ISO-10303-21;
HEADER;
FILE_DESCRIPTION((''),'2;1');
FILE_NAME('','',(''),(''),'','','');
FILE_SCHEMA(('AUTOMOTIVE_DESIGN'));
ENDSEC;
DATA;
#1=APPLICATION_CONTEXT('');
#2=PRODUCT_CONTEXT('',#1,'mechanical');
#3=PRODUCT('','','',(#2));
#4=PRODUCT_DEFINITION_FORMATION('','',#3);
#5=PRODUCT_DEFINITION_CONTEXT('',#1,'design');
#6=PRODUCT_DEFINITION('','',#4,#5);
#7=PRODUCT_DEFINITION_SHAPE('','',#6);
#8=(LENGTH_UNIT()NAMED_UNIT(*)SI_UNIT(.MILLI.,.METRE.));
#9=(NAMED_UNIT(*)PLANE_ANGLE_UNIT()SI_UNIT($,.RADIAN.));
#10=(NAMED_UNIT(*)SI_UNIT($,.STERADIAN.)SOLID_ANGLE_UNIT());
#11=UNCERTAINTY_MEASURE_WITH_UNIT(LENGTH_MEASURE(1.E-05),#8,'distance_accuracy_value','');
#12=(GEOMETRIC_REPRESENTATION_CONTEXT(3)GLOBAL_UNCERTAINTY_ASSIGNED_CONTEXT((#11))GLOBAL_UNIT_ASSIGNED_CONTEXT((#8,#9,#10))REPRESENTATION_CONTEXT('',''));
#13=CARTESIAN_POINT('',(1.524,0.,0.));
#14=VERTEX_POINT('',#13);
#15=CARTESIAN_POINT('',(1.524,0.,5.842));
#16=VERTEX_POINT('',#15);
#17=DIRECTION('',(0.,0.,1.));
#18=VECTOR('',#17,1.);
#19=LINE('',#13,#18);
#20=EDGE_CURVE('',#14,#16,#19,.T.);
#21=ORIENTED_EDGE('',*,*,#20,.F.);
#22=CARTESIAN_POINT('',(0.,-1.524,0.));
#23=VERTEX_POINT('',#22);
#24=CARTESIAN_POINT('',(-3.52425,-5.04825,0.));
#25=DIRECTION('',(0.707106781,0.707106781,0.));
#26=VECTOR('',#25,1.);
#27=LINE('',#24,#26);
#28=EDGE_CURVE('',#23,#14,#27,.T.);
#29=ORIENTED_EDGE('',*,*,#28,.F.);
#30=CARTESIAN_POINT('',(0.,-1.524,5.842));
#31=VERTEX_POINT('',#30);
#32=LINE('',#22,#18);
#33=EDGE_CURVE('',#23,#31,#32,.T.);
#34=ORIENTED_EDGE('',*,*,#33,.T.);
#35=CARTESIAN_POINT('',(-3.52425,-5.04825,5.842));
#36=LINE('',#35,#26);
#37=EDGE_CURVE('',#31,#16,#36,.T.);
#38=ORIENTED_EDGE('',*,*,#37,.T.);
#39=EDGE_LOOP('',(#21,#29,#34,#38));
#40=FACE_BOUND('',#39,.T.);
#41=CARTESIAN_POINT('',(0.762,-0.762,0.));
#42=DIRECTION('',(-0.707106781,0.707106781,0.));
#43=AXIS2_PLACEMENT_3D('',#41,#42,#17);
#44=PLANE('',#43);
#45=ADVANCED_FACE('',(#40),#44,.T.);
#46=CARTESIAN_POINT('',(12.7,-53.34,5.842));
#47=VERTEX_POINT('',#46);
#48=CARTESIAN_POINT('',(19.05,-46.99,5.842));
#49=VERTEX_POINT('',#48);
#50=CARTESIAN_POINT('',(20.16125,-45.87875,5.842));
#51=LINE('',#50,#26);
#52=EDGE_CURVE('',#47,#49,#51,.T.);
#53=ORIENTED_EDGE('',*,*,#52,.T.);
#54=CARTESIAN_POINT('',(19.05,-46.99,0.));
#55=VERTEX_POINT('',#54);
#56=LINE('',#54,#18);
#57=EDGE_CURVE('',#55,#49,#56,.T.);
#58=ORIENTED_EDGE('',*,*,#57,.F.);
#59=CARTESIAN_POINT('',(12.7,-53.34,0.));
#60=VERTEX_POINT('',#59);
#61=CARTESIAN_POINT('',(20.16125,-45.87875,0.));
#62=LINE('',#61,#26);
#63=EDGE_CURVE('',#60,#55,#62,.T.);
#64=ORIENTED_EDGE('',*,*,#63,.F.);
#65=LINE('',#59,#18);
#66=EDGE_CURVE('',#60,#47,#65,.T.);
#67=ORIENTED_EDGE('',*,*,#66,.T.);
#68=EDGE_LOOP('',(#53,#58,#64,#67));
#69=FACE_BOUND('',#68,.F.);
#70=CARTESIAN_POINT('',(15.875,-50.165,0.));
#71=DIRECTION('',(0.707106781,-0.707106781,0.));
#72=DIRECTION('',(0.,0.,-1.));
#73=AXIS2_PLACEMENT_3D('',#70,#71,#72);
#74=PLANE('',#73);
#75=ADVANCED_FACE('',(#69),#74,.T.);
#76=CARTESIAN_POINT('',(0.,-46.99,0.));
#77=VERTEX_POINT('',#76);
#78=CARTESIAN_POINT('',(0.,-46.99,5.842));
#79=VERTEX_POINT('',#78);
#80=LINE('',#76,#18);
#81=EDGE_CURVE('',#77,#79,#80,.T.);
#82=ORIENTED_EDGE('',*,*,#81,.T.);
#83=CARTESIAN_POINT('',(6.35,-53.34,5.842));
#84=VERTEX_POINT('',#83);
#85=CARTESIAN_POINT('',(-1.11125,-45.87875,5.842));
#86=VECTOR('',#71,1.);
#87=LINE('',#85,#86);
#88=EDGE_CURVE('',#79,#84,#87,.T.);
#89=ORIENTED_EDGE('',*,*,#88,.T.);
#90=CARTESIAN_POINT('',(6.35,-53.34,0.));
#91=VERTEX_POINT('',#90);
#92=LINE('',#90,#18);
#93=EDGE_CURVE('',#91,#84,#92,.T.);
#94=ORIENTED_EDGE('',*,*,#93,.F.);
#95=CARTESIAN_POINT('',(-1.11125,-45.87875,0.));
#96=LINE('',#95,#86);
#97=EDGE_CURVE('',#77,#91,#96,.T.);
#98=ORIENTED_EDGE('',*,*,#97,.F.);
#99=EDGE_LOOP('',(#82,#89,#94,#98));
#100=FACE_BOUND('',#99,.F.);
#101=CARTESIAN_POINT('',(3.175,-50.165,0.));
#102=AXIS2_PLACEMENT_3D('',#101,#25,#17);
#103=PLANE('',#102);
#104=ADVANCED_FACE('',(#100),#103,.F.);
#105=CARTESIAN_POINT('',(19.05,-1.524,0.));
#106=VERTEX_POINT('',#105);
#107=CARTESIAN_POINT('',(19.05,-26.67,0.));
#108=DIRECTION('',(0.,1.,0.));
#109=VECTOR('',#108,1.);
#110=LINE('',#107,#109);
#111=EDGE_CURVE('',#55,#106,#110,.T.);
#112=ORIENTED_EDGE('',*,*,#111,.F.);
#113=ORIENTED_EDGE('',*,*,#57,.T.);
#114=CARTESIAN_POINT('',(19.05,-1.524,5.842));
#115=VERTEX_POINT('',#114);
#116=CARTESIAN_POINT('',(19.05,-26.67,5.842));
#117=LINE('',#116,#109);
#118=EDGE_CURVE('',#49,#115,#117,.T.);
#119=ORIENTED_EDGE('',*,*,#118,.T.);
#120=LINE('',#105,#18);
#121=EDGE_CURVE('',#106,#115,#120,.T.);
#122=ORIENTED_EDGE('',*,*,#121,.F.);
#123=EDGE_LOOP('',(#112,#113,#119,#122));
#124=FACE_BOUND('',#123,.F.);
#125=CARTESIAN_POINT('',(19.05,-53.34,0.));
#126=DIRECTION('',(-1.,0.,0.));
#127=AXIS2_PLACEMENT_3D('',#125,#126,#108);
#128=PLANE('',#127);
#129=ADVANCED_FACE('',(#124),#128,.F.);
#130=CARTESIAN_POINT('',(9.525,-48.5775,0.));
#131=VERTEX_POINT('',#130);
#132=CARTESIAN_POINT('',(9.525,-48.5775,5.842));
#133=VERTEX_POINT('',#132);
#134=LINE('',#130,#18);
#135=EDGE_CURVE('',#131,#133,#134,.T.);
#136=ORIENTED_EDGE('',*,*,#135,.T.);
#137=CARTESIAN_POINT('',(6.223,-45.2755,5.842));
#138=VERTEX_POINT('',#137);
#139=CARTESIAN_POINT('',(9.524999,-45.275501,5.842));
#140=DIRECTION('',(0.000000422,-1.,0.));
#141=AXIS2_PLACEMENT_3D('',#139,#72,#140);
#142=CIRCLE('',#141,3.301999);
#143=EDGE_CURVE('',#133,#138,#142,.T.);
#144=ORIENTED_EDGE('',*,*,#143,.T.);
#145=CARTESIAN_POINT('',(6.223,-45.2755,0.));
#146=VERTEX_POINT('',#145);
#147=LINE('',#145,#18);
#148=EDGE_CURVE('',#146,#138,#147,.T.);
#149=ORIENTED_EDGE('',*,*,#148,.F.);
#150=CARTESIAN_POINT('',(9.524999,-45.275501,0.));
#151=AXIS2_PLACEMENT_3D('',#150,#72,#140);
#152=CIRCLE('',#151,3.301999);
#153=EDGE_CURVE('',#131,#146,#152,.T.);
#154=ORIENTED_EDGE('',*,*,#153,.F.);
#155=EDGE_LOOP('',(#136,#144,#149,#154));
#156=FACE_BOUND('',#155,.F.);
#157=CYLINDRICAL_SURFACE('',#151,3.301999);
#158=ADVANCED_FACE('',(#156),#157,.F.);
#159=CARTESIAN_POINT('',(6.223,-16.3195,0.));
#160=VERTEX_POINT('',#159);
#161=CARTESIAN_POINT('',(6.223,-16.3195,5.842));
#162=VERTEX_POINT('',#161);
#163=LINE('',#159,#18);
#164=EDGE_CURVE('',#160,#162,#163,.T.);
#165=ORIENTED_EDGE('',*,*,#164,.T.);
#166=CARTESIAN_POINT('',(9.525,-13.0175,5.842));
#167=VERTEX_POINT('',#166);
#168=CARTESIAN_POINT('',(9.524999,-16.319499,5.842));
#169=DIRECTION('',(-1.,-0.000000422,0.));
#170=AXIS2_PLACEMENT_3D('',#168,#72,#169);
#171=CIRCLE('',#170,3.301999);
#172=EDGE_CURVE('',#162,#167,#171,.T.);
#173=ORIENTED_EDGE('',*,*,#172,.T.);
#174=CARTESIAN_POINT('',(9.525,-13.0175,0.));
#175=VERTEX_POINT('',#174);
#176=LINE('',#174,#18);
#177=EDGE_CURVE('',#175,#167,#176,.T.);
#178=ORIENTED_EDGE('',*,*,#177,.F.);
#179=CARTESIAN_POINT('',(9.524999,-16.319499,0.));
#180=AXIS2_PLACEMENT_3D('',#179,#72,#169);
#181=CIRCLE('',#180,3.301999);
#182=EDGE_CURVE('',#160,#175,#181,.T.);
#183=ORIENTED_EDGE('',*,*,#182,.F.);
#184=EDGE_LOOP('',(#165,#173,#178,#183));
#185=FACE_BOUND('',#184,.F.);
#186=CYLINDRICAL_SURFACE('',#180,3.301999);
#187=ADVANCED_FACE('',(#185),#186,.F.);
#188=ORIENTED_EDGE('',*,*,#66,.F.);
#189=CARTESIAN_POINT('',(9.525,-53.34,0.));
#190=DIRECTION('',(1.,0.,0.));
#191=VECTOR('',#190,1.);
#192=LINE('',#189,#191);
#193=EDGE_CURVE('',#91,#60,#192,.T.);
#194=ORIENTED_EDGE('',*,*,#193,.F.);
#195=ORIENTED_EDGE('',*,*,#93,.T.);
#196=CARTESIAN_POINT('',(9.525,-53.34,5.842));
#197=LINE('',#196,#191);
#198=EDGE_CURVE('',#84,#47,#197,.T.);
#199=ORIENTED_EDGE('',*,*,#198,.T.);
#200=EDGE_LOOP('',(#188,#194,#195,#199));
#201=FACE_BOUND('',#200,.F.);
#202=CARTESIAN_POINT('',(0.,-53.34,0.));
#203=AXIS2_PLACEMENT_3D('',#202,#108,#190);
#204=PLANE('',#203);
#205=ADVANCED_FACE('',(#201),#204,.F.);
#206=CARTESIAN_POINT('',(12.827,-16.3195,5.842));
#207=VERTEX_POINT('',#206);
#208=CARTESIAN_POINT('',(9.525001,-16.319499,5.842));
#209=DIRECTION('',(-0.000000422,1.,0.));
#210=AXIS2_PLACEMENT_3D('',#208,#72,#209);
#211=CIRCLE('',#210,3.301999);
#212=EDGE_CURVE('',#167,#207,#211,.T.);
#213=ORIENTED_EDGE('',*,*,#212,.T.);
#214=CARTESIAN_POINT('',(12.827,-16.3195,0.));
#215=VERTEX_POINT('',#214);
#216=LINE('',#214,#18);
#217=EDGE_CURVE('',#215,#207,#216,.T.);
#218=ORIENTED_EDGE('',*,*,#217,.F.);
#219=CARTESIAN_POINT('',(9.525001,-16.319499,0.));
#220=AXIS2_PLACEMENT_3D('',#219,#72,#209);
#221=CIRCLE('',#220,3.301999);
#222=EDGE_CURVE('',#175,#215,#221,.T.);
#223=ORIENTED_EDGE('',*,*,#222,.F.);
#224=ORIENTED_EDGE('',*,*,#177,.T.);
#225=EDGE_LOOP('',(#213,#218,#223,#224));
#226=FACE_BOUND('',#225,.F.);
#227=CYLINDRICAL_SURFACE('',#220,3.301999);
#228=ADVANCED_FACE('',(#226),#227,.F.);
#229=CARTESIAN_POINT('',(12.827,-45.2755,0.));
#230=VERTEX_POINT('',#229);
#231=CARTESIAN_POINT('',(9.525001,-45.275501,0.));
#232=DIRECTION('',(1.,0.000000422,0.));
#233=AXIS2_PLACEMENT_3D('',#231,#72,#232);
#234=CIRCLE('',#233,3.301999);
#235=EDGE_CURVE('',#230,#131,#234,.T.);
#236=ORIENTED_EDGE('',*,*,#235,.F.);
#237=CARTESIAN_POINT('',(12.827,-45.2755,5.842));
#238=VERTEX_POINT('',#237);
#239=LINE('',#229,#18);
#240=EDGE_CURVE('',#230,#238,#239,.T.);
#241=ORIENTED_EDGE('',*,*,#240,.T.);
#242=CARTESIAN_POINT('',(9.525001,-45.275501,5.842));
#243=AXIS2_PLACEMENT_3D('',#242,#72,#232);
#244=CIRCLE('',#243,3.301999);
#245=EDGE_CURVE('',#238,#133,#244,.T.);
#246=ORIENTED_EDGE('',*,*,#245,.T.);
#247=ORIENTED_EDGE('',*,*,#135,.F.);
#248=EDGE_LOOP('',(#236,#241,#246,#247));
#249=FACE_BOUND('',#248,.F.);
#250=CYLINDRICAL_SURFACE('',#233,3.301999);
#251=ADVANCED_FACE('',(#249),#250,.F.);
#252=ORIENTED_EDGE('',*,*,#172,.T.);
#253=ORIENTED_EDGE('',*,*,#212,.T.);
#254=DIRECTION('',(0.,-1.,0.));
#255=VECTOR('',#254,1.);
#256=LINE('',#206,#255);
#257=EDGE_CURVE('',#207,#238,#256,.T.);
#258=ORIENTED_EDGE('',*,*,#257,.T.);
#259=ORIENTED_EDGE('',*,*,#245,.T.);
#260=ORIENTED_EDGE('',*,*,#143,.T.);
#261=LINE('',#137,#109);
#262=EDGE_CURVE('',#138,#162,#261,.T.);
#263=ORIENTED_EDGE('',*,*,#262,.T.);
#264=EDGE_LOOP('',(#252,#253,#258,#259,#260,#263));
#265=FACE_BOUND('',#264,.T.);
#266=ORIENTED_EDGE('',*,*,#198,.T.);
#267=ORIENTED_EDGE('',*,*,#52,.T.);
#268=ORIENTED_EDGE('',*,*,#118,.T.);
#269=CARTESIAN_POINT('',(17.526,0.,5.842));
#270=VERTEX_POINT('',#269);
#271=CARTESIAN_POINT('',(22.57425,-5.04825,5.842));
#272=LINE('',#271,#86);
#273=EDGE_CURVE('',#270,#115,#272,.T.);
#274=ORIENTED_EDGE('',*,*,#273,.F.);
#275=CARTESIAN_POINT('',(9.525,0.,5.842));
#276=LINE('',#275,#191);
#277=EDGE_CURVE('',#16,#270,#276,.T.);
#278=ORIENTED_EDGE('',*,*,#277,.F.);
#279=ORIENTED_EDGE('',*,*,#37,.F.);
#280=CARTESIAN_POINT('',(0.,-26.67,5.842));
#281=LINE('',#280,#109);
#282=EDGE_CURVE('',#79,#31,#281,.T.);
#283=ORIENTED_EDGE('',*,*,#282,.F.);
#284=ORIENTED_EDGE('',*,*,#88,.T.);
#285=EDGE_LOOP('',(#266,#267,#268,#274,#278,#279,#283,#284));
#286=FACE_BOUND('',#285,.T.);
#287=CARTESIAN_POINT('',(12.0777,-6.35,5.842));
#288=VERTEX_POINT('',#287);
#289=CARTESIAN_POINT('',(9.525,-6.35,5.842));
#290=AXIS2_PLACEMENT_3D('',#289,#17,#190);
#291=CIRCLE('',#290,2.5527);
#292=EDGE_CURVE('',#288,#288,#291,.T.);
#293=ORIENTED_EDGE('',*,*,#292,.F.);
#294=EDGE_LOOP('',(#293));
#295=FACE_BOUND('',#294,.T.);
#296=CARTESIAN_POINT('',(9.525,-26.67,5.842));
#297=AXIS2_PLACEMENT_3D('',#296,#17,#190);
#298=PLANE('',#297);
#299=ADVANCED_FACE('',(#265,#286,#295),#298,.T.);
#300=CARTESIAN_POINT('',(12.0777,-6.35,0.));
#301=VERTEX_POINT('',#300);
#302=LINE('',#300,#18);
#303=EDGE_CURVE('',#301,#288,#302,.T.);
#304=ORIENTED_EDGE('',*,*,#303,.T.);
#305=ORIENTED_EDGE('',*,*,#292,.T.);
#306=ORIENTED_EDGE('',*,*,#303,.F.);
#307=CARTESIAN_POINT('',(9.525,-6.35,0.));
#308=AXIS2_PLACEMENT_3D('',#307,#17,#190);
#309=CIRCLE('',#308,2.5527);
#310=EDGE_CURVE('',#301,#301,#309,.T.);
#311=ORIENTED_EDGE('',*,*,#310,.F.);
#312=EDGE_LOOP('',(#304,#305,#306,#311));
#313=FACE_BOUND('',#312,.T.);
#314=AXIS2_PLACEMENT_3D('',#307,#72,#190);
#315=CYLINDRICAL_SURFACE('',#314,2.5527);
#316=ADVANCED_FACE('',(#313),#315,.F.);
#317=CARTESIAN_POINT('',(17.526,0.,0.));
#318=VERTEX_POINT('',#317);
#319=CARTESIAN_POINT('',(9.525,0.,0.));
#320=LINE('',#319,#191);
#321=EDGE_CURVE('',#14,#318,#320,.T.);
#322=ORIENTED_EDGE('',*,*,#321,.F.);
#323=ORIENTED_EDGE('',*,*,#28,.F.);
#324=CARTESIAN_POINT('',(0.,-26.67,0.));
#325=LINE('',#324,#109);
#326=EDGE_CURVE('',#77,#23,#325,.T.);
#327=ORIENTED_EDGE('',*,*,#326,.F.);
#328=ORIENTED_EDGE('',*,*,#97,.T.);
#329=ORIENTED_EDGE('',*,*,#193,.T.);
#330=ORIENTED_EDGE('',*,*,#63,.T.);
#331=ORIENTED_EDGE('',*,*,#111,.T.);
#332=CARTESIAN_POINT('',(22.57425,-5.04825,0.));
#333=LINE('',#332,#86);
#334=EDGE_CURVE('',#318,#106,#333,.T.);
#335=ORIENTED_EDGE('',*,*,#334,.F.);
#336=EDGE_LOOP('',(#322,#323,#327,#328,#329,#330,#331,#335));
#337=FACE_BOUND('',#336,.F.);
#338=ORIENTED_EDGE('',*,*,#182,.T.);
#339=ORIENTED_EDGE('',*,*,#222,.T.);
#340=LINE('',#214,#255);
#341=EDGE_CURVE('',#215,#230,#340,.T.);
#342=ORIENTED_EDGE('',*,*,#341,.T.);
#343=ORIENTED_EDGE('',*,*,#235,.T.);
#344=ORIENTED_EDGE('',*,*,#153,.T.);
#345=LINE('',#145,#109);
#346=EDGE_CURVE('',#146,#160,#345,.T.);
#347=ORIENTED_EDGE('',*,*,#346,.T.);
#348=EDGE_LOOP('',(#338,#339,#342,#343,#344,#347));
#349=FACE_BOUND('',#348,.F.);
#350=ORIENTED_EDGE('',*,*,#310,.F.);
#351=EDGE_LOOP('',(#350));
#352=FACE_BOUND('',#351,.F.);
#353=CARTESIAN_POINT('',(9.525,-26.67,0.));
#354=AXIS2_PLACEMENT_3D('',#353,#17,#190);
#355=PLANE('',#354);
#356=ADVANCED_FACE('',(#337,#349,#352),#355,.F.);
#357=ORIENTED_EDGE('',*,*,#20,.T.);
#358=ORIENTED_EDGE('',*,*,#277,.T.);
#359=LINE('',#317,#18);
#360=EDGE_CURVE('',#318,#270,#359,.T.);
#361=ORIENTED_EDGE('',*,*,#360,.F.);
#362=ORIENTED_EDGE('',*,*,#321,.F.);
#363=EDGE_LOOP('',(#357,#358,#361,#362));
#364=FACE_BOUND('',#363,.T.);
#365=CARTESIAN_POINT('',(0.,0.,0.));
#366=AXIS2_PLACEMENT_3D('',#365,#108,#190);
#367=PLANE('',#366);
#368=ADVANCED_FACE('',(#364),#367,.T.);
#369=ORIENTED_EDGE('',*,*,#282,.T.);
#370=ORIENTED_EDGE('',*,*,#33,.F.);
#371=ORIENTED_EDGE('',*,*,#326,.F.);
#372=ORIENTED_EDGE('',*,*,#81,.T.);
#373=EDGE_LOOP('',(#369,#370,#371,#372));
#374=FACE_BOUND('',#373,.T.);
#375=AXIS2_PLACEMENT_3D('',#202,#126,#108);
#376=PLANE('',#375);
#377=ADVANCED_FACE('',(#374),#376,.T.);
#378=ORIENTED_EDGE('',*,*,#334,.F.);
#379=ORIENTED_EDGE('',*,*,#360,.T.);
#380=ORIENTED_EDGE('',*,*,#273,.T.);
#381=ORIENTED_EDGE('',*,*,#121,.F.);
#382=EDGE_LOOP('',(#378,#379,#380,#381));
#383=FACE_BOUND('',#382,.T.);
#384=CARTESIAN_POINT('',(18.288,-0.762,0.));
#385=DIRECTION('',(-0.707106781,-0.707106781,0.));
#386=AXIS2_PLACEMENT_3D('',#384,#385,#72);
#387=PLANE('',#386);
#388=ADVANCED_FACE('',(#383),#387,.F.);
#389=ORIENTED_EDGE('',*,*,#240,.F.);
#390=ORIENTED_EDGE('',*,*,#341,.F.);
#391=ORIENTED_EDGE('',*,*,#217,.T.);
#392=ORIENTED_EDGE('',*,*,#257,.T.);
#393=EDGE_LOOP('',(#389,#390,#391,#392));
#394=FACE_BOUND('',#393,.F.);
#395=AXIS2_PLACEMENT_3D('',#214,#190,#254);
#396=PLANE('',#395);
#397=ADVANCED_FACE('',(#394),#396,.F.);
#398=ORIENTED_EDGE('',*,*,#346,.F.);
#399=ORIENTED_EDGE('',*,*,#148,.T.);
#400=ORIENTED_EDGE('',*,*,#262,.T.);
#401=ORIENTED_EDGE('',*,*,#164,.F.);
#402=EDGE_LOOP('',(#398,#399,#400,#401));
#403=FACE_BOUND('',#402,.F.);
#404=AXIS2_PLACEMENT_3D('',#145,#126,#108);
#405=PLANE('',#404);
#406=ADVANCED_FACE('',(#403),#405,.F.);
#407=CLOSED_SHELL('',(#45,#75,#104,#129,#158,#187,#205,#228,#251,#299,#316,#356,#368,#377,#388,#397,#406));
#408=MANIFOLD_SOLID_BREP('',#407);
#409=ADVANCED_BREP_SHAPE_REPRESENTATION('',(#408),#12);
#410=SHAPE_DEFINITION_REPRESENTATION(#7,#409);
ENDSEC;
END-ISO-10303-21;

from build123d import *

# Parameters (mm, degrees)
F0_W     = 19.05
F0_H     = 53.34
F0_R     = 2.5527
F1_DEPTH = 5.842
F2_SIZE  = 6.35
F3_SIZE  = 1.524


with BuildPart() as f1:
    # F0 (on Top) → F1 (new body)
    with BuildSketch(Plane.XY):
        with Locations((9.525, -26.67)):
            Rectangle(F0_W, F0_H)
        with BuildLine():
            Line((6.223, -45.2755), (6.223, -16.3195))
            ThreePointArc((6.223, -16.3195), (7.190133, -13.984633), (9.525, -13.0175))
            ThreePointArc((9.525, -13.0175), (11.859867, -13.984633), (12.827, -16.3195))
            Line((12.827, -16.3195), (12.827, -45.2755))
            ThreePointArc((12.827, -45.2755), (11.859867, -47.610367), (9.525, -48.5775))
            ThreePointArc((9.525, -48.5775), (7.190133, -47.610367), (6.223, -45.2755))
        make_face(mode=Mode.SUBTRACT)
        with Locations((9.525, -6.35)):
            Circle(F0_R, mode=Mode.SUBTRACT)
    extrude(amount=F1_DEPTH)

    # F2
    f2_edges = [f1.edges().sort_by_distance(p)[0] for p in [
        (0, -53.34, 2.921),
        (19.05, -53.34, 2.921),
    ]]
    chamfer(f2_edges, length=F2_SIZE)

    # F3
    f3_edges = [f1.edges().sort_by_distance(p)[0] for p in [
        (19.05, 0, 2.921),
        (0, 0, 2.921),
    ]]
    chamfer(f3_edges, length=F3_SIZE)


solid = f1.part
